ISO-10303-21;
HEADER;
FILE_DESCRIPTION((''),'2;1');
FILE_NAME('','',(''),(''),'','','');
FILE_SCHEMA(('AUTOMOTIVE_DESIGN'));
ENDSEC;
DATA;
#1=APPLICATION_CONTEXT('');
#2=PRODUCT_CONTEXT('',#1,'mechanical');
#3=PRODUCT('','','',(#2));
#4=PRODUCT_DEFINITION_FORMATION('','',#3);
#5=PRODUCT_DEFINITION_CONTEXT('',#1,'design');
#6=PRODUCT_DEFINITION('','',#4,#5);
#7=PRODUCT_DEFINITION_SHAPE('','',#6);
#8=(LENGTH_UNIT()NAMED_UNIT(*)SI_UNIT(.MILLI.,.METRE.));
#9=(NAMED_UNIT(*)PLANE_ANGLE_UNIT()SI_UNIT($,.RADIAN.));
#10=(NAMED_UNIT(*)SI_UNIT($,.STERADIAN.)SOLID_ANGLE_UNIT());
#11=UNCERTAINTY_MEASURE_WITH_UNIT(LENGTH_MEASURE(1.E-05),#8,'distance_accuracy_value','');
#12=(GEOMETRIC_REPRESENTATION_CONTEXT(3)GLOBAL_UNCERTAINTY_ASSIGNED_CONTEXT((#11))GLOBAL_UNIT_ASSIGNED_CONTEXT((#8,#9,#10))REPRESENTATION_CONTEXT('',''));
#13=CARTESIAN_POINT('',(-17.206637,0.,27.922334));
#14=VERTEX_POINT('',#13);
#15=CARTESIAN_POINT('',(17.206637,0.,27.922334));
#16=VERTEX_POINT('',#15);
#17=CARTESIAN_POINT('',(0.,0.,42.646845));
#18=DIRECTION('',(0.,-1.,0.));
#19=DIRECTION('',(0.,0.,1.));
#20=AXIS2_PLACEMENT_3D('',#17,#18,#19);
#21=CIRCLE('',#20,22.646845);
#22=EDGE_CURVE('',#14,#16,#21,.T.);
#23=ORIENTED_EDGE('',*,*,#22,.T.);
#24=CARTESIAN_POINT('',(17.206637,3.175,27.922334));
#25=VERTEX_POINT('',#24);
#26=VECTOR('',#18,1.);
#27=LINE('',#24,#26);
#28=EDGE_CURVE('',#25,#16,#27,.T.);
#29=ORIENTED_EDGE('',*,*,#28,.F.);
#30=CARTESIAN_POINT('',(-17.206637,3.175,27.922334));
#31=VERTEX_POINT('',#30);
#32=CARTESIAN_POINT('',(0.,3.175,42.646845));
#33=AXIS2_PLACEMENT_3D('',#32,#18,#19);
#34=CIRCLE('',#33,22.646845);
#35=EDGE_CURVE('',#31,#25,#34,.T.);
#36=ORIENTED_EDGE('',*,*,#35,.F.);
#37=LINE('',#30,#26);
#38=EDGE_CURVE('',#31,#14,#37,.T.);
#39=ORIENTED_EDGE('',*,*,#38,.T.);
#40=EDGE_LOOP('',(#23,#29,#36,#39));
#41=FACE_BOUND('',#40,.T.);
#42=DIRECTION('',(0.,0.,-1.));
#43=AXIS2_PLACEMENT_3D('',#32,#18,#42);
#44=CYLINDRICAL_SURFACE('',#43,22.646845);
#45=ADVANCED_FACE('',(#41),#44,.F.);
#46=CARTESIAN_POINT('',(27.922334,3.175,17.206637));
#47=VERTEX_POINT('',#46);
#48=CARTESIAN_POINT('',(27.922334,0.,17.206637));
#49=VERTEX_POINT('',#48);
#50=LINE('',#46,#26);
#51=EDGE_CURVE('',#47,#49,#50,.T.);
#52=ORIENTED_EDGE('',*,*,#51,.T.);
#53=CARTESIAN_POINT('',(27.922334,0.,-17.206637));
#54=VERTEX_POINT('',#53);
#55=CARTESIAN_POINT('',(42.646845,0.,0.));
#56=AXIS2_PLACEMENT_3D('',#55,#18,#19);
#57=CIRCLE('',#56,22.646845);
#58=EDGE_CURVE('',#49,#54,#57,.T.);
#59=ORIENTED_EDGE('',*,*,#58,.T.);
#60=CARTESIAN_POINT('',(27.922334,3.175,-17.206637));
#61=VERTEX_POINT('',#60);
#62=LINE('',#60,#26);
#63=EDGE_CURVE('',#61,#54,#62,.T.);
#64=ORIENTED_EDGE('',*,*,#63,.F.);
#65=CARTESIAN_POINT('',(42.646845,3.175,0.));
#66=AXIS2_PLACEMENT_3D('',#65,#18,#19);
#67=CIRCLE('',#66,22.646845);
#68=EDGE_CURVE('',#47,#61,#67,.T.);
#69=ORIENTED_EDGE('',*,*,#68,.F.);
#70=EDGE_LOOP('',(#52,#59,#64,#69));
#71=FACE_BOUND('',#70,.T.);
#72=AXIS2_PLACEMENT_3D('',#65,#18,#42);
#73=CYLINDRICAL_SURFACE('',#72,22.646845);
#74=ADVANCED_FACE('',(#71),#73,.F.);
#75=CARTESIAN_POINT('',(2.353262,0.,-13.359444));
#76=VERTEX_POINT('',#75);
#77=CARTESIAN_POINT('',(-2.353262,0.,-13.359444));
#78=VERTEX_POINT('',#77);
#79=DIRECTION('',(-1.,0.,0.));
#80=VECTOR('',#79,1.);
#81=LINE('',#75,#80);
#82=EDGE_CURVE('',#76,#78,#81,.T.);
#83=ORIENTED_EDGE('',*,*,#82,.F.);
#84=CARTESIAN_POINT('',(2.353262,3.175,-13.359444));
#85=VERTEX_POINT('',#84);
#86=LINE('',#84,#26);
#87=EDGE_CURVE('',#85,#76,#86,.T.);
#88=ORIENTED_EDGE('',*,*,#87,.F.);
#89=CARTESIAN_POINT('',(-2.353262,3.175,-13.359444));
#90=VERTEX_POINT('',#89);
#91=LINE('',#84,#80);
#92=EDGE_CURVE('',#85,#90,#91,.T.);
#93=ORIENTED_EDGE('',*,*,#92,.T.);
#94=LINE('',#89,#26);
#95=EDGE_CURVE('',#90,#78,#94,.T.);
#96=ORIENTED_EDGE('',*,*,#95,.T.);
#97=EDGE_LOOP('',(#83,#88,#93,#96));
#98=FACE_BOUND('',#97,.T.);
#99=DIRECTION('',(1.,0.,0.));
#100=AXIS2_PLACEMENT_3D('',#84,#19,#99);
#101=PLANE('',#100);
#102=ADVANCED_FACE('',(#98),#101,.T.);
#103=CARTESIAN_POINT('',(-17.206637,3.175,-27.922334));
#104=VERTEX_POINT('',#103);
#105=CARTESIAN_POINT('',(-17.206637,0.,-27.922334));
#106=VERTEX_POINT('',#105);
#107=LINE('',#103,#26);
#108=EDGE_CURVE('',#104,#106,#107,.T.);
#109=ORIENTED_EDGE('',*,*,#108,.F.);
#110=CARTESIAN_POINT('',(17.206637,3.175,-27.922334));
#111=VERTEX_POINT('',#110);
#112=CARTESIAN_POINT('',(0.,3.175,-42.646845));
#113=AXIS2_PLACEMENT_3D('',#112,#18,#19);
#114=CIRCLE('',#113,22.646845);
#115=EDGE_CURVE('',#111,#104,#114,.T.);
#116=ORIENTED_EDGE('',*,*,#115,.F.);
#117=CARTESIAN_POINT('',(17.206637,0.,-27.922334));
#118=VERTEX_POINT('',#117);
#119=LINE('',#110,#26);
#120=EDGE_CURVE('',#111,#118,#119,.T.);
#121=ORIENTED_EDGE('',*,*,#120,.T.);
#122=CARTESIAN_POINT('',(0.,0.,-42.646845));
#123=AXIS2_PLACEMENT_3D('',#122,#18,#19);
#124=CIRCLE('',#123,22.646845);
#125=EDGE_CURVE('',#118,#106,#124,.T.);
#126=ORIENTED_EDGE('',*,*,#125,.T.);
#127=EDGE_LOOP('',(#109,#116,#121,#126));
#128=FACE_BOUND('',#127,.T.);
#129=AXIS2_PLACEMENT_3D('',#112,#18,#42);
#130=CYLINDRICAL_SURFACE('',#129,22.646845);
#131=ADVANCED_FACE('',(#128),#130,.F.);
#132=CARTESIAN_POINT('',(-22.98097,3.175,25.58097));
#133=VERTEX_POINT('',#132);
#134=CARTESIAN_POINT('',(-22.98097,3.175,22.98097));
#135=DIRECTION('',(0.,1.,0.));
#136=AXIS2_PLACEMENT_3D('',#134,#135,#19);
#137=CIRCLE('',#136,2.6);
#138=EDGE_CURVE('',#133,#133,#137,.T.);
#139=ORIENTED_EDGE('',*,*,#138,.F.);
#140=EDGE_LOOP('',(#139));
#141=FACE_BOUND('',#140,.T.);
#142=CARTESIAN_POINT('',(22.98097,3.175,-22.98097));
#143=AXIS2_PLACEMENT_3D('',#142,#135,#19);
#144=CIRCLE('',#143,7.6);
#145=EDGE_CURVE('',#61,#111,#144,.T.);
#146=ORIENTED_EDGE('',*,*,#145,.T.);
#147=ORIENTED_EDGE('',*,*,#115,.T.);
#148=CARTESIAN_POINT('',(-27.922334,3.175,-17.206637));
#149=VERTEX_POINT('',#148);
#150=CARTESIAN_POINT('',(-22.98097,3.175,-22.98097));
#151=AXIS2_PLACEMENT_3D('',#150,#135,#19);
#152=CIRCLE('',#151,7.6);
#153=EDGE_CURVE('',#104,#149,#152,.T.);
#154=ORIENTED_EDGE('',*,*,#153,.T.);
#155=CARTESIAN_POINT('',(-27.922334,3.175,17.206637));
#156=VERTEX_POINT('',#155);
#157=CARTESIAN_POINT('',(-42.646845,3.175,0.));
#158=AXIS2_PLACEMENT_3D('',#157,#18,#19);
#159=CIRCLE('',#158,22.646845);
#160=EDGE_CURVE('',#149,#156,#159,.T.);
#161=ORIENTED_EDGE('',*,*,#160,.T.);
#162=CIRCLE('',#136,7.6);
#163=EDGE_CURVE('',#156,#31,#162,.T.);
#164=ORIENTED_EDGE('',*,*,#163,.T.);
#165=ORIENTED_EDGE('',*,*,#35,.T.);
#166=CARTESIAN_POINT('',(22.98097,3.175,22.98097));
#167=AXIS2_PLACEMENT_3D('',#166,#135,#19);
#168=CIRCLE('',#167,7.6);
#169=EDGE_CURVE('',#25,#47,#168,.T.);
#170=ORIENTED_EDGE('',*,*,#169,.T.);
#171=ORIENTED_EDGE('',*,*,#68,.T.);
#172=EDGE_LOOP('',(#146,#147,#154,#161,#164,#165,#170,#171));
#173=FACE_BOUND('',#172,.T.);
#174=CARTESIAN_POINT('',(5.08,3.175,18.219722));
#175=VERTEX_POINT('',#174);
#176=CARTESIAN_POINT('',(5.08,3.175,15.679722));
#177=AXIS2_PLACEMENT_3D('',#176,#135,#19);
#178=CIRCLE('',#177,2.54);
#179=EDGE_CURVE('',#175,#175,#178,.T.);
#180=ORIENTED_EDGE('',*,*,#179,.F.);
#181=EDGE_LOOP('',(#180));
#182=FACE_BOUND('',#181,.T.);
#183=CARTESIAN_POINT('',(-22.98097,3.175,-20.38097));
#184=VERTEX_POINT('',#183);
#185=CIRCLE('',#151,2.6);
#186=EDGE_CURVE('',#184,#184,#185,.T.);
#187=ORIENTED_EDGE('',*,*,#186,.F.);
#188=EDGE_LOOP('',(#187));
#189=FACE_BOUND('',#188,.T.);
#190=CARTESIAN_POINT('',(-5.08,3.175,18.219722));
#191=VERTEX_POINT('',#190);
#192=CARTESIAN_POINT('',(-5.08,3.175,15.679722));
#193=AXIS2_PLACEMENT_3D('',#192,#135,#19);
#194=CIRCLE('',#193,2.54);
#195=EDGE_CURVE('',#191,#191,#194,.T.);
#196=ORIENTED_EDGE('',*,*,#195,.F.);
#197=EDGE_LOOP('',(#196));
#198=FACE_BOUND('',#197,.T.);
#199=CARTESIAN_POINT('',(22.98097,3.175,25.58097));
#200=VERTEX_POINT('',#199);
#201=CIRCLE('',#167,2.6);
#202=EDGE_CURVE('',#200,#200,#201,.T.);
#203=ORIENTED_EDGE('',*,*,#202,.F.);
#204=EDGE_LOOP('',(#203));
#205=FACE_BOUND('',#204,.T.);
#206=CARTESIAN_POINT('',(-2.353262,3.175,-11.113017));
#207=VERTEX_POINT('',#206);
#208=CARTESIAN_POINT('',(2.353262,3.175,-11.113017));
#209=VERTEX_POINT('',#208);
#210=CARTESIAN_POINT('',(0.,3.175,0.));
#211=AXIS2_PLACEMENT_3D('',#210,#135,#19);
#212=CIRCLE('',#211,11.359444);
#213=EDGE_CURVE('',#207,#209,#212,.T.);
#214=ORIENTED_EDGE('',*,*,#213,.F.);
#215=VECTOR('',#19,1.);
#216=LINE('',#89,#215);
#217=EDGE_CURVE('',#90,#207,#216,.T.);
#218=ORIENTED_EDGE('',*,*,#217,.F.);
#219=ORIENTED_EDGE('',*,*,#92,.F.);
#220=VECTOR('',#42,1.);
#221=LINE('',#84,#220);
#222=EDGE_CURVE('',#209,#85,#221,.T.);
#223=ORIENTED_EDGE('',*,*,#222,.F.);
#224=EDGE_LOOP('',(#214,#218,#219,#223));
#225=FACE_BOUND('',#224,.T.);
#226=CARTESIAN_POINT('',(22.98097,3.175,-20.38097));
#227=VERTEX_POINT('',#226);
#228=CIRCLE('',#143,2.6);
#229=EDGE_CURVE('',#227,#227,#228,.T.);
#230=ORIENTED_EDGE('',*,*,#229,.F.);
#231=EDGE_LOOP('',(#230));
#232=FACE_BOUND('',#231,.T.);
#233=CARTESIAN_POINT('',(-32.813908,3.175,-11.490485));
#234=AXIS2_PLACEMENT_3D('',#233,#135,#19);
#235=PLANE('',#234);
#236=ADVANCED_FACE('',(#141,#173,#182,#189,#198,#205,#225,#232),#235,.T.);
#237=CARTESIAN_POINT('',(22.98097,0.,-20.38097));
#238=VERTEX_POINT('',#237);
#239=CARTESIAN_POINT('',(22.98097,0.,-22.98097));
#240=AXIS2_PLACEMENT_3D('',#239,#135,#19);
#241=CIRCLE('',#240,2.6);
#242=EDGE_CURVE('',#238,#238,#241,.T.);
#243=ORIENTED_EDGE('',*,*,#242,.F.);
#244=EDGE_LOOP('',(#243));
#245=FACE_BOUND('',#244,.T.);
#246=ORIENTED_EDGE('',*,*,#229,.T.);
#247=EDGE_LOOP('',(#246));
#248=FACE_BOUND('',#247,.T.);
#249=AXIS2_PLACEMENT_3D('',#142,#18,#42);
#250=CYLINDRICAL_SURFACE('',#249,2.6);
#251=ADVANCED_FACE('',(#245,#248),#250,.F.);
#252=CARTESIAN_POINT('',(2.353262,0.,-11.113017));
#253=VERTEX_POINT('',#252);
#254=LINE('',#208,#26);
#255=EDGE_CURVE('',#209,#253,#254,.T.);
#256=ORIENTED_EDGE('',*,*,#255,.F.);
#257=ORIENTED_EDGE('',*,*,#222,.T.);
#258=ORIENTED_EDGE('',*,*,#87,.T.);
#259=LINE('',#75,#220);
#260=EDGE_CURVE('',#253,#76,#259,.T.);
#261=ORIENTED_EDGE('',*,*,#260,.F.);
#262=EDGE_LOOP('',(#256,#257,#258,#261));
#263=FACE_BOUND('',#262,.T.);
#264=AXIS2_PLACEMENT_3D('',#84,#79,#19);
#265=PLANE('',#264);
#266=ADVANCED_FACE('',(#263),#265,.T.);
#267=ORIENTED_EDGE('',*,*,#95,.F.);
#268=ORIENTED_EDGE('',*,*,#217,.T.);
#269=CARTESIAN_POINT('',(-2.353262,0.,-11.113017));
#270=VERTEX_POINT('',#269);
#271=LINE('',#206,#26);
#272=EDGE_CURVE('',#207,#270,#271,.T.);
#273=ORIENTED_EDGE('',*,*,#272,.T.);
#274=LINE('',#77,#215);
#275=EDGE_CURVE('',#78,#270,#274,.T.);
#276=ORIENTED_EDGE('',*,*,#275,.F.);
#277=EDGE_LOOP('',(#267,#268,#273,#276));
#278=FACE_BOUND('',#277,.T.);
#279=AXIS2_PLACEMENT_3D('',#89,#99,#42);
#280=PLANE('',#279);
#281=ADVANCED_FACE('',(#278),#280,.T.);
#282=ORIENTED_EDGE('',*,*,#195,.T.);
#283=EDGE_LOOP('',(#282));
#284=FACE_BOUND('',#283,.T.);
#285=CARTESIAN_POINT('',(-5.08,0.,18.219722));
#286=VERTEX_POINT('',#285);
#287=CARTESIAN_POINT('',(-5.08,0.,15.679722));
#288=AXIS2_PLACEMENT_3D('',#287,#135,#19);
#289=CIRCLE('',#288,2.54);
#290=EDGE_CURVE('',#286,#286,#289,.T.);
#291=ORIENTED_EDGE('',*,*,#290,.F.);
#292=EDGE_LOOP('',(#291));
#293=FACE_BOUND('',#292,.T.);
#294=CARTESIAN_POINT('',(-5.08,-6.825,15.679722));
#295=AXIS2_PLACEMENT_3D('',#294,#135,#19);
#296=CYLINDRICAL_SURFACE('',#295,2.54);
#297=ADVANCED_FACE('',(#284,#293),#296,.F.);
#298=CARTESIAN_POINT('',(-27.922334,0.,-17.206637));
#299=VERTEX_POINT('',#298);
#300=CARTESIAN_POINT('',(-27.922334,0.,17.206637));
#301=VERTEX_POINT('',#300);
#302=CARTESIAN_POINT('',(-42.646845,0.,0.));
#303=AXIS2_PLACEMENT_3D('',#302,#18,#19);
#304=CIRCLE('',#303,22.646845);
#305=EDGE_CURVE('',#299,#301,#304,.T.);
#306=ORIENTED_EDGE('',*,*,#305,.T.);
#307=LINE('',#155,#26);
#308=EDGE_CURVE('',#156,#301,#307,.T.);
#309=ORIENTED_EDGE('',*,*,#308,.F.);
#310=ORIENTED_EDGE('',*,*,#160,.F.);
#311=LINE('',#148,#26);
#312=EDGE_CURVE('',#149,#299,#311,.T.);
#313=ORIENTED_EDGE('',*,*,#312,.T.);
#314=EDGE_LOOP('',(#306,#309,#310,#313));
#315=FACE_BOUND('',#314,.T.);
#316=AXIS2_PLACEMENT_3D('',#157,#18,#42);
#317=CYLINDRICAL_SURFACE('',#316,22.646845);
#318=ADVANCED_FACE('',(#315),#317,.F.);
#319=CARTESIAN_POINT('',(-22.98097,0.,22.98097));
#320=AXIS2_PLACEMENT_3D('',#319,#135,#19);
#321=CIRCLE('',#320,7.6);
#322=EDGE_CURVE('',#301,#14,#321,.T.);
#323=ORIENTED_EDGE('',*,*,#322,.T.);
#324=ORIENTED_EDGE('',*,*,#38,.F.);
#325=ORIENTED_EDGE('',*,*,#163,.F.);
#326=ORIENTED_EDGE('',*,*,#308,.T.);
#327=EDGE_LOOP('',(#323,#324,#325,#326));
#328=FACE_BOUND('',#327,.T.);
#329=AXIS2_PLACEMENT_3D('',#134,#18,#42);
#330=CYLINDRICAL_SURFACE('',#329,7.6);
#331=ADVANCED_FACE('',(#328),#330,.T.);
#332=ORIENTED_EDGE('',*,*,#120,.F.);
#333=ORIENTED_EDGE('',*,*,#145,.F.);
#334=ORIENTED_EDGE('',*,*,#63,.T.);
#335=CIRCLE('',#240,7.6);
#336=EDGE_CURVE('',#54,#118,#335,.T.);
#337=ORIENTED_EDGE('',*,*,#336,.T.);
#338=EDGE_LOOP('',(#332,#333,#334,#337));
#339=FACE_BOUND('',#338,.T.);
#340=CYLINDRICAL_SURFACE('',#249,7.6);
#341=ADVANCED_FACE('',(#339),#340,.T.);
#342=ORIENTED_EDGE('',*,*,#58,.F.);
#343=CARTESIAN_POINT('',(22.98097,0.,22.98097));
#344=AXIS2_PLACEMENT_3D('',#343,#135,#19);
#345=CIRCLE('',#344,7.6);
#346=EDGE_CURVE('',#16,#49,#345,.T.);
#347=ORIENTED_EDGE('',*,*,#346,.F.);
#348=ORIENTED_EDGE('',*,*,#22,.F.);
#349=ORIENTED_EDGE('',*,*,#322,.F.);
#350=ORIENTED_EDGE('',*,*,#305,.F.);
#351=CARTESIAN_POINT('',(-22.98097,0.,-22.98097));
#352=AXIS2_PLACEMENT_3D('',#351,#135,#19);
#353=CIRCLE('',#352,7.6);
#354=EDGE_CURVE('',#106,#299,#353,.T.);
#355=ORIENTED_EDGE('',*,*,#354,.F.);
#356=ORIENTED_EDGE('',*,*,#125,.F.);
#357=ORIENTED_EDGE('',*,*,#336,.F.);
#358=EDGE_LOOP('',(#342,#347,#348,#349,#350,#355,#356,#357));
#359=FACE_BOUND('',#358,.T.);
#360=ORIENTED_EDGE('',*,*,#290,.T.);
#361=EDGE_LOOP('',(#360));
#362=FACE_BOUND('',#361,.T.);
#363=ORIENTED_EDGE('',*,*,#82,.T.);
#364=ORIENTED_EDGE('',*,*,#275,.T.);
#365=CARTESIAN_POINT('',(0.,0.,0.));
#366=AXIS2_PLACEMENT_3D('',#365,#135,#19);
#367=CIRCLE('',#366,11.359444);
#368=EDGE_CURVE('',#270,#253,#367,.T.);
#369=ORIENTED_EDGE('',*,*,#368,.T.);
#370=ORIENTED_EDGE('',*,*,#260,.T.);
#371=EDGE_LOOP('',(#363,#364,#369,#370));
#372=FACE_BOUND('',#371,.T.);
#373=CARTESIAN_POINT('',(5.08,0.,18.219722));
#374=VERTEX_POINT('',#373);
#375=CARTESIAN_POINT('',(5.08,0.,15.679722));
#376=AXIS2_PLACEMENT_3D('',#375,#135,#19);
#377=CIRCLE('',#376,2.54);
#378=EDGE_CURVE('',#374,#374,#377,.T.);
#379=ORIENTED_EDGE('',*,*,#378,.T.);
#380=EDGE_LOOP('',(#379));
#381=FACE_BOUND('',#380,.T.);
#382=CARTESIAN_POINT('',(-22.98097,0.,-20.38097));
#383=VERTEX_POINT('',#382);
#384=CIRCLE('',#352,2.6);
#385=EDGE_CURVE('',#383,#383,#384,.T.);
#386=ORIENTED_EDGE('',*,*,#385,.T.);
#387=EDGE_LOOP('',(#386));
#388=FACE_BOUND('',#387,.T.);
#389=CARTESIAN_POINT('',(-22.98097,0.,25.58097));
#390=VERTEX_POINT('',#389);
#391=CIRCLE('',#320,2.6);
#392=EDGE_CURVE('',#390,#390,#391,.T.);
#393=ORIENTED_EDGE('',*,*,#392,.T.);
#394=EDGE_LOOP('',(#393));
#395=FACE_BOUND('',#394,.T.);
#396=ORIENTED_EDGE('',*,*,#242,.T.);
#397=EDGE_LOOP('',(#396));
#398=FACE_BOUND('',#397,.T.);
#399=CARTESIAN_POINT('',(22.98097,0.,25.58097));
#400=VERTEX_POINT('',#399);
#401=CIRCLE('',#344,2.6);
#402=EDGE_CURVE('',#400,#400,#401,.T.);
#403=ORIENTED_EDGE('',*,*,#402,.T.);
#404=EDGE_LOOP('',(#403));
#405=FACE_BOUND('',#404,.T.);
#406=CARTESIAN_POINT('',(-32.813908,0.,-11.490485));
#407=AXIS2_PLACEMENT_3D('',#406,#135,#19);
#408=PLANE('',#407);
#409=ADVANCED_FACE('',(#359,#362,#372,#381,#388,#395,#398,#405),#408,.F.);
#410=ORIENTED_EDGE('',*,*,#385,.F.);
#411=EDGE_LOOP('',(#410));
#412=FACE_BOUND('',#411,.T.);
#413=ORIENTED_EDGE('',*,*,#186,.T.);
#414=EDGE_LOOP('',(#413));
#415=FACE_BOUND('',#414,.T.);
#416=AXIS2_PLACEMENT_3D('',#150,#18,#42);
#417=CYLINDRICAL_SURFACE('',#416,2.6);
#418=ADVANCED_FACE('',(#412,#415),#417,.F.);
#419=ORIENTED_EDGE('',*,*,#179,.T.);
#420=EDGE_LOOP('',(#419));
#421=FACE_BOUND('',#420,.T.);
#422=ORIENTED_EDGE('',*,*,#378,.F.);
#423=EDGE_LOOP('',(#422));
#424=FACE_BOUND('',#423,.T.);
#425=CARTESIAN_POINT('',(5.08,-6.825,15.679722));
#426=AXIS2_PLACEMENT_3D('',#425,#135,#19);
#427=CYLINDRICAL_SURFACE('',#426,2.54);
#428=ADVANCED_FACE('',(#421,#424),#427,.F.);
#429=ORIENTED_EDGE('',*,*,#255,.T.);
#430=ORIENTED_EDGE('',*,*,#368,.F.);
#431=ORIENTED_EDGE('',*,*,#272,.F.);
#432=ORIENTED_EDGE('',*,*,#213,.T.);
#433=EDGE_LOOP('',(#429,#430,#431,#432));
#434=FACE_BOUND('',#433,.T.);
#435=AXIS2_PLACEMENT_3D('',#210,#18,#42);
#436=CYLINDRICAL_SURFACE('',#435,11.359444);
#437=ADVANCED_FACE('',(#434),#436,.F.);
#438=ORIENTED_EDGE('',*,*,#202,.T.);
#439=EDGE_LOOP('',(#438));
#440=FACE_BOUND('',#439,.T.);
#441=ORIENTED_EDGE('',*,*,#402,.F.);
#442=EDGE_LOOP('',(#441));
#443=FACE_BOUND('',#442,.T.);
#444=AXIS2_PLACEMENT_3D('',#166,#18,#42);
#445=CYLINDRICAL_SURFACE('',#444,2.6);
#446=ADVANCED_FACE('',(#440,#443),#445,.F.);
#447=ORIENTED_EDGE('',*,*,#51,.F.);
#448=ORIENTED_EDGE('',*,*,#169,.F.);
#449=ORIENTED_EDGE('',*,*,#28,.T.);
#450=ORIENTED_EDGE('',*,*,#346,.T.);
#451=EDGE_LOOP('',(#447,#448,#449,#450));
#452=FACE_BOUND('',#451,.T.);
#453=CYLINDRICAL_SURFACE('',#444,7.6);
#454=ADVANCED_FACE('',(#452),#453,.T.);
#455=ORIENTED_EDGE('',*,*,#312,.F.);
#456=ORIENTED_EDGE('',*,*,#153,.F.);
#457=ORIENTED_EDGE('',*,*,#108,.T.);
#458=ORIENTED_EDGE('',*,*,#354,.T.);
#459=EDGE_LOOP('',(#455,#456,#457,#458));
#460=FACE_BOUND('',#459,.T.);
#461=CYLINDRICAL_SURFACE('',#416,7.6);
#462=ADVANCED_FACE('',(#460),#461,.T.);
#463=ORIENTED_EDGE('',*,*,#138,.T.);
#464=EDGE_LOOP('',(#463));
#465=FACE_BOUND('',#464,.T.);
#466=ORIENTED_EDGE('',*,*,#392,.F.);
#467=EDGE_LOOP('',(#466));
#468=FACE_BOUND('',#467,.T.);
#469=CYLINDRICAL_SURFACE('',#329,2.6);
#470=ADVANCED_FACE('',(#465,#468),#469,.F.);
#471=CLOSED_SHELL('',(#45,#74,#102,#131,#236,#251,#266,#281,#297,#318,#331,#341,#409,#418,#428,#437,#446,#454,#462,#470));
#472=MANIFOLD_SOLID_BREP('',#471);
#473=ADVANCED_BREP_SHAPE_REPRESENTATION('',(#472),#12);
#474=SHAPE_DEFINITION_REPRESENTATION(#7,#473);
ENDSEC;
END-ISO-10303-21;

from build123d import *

# Parameters (mm, degrees)
SKETCH1_R           = 2.6
BOSS_EXTRUDE1_DEPTH = 3.175
SKETCH2_R           = 2.54
CUT_EXTRUDE1_DEPTH  = 10


with BuildPart() as part:
    # Sketch1 → Boss-Extrude1 (new body)
    with BuildSketch(Plane(origin=(0, 0, 0), x_dir=(1, 0, 0), z_dir=(0, 1, 0))):
        with BuildLine():
            ThreePointArc((-17.206636662, 27.922333563), (-28.354981926, 28.354981926), (-27.922333563, 17.206636662))
            ThreePointArc((-27.922333563, 17.206636662), (-20, 0), (-27.922333563, -17.206636662))
            ThreePointArc((-27.922333563, -17.206636662), (-28.354981926, -28.354981926), (-17.206636662, -27.922333563))
            ThreePointArc((-17.206636662, -27.922333563), (0, -20), (17.206636662, -27.922333563))
            ThreePointArc((17.206636662, -27.922333563), (28.354981926, -28.354981926), (27.922333563, -17.206636662))
            ThreePointArc((27.922333563, -17.206636662), (20, 0), (27.922333563, 17.206636662))
            ThreePointArc((27.922333563, 17.206636662), (28.354981926, 28.354981926), (17.206636662, 27.922333563))
            ThreePointArc((17.206636662, 27.922333563), (0, 20), (-17.206636662, 27.922333563))
        make_face()
        with Locations(Location((22.980970389, 22.980970389, 0), (0, 0, 270))):
            Circle(SKETCH1_R, mode=Mode.SUBTRACT)
        with Locations(Location((22.980970389, -22.980970389, 0), (0, 0, 270))):
            Circle(SKETCH1_R, mode=Mode.SUBTRACT)
        with Locations(Location((-22.980970389, -22.980970389, 0), (0, 0, 270))):
            Circle(SKETCH1_R, mode=Mode.SUBTRACT)
        with Locations(Location((-22.980970389, 22.980970389, 0), (0, 0, 270))):
            Circle(SKETCH1_R, mode=Mode.SUBTRACT)
        with BuildLine():
            Line((2.353261567, 13.359444444), (-2.353261567, 13.359444444))
            Line((-2.353261567, 13.359444444), (-2.353261567, 11.113016606))
            ThreePointArc((-2.353261567, 11.113016606), (0, -11.359444444), (2.353261567, 11.113016606))
            Line((2.353261567, 11.113016606), (2.353261567, 13.359444444))
        make_face(mode=Mode.SUBTRACT)
    extrude(amount=BOSS_EXTRUDE1_DEPTH)

    # Sketch2 → Cut-Extrude1 (cut)
    with BuildSketch(Plane(origin=(0, 3.175, 0), x_dir=(1, 0, 0), z_dir=(0, 1, 0))):
        with Locations(Location((-5.08, -15.679722222, 0), (0, 0, 270))):
            Circle(SKETCH2_R)
        with Locations(Location((5.08, -15.679722222, 0), (0, 0, 270))):
            Circle(SKETCH2_R)
    extrude(amount=-CUT_EXTRUDE1_DEPTH, mode=Mode.SUBTRACT)


solid = part.part
